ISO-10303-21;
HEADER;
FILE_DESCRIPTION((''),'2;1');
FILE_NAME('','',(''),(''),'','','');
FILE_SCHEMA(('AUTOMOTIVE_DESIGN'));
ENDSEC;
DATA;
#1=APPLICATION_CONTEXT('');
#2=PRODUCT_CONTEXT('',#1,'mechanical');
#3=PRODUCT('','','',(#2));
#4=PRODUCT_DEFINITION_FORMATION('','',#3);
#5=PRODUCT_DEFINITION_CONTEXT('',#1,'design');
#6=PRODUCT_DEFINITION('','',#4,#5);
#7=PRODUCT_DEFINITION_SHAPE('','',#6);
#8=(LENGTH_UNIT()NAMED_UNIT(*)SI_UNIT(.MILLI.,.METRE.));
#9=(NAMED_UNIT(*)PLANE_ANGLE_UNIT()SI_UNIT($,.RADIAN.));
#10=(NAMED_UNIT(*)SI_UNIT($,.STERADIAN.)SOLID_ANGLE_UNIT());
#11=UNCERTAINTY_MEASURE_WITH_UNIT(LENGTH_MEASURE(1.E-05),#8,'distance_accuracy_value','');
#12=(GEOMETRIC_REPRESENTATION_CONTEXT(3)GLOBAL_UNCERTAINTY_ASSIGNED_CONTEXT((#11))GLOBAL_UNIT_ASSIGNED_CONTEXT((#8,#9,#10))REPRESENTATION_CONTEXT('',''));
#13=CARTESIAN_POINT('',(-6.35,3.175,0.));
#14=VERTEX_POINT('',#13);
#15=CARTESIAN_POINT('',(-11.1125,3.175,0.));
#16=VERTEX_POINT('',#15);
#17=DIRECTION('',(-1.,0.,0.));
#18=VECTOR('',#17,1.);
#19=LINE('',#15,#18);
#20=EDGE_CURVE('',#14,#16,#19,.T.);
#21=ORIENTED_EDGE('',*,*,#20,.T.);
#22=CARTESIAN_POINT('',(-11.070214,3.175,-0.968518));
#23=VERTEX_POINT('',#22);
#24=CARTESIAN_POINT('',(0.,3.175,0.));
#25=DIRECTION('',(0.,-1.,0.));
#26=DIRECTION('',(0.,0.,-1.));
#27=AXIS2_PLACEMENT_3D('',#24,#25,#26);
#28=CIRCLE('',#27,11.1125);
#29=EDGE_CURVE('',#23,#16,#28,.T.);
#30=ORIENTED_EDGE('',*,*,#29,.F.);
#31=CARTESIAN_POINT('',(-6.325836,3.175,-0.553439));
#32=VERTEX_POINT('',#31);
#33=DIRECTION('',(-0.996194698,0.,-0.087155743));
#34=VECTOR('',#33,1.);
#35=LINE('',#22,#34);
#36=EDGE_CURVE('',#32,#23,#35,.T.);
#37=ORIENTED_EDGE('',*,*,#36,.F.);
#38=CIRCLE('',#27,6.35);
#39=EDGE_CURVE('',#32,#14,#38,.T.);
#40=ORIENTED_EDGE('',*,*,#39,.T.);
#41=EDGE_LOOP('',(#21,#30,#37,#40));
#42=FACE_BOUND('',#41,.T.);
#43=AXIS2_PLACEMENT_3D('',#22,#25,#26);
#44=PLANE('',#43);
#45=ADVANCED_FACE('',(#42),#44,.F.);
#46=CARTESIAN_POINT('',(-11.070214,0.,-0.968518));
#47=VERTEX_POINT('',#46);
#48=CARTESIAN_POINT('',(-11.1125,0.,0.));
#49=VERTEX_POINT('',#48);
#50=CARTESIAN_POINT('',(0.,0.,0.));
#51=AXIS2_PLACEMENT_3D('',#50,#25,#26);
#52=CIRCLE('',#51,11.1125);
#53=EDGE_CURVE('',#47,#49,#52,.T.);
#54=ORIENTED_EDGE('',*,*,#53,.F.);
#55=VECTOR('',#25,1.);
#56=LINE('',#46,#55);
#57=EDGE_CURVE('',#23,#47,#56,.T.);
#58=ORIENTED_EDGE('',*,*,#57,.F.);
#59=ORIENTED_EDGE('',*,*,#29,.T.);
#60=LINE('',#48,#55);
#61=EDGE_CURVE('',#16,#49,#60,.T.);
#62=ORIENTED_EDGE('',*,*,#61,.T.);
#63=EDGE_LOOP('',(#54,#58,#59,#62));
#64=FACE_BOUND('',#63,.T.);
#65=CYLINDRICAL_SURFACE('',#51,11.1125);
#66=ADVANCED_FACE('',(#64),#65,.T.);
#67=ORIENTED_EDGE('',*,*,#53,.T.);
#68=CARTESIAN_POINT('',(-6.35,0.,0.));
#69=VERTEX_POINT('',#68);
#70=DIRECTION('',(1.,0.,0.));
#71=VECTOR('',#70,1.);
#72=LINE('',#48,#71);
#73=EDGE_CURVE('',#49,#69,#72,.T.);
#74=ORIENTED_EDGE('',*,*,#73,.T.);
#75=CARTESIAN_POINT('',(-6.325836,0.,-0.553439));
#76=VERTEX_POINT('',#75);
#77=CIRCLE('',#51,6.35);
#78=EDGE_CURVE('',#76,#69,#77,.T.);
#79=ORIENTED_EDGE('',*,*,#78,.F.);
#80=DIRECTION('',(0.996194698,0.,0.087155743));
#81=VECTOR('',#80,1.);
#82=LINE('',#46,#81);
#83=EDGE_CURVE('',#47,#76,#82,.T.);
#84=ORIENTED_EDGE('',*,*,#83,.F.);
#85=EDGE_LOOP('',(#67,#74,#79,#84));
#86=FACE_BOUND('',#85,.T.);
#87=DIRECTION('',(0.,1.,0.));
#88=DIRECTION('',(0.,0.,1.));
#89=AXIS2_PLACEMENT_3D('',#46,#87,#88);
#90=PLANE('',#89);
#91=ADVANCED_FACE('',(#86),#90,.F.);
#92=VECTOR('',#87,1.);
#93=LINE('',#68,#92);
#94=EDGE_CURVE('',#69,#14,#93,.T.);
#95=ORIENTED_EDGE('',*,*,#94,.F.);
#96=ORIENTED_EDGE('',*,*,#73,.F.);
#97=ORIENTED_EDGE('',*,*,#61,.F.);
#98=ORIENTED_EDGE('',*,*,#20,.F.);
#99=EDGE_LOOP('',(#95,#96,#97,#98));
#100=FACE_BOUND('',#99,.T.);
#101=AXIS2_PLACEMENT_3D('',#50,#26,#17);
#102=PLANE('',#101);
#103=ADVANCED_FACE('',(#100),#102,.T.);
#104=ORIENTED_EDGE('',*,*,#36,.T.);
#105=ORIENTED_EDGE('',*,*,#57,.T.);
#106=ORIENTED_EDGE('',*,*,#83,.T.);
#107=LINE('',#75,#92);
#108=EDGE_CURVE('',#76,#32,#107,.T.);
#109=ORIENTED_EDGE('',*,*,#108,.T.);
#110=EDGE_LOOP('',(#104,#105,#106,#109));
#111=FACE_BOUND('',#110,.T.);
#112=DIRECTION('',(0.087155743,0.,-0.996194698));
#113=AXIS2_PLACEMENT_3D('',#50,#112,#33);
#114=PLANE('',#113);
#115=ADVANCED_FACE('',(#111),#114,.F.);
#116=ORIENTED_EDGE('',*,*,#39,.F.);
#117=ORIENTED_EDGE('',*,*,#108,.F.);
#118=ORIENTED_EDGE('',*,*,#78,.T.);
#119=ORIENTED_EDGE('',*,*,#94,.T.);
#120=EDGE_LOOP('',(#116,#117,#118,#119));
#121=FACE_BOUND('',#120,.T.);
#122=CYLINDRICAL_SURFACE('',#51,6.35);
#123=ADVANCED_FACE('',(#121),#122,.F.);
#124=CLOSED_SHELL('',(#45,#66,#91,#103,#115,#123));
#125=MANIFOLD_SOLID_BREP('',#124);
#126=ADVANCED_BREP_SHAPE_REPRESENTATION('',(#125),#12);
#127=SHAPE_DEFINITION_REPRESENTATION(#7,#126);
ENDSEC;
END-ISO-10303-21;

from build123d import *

# Parameters (mm, degrees)
SKETCH1_W      = 4.7625
SKETCH1_H      = 3.175
REVOLVE1_ANGLE = 355


with BuildPart() as part:
    # Sketch1 → Revolve1 (revolve)
    with BuildSketch(Plane.XY):
        with Locations((-8.73125, 1.5875)):
            Rectangle(SKETCH1_W, SKETCH1_H)
    revolve(axis=Axis((0, 0, 0), (0, 1, 0)), revolution_arc=REVOLVE1_ANGLE)


solid = part.part
